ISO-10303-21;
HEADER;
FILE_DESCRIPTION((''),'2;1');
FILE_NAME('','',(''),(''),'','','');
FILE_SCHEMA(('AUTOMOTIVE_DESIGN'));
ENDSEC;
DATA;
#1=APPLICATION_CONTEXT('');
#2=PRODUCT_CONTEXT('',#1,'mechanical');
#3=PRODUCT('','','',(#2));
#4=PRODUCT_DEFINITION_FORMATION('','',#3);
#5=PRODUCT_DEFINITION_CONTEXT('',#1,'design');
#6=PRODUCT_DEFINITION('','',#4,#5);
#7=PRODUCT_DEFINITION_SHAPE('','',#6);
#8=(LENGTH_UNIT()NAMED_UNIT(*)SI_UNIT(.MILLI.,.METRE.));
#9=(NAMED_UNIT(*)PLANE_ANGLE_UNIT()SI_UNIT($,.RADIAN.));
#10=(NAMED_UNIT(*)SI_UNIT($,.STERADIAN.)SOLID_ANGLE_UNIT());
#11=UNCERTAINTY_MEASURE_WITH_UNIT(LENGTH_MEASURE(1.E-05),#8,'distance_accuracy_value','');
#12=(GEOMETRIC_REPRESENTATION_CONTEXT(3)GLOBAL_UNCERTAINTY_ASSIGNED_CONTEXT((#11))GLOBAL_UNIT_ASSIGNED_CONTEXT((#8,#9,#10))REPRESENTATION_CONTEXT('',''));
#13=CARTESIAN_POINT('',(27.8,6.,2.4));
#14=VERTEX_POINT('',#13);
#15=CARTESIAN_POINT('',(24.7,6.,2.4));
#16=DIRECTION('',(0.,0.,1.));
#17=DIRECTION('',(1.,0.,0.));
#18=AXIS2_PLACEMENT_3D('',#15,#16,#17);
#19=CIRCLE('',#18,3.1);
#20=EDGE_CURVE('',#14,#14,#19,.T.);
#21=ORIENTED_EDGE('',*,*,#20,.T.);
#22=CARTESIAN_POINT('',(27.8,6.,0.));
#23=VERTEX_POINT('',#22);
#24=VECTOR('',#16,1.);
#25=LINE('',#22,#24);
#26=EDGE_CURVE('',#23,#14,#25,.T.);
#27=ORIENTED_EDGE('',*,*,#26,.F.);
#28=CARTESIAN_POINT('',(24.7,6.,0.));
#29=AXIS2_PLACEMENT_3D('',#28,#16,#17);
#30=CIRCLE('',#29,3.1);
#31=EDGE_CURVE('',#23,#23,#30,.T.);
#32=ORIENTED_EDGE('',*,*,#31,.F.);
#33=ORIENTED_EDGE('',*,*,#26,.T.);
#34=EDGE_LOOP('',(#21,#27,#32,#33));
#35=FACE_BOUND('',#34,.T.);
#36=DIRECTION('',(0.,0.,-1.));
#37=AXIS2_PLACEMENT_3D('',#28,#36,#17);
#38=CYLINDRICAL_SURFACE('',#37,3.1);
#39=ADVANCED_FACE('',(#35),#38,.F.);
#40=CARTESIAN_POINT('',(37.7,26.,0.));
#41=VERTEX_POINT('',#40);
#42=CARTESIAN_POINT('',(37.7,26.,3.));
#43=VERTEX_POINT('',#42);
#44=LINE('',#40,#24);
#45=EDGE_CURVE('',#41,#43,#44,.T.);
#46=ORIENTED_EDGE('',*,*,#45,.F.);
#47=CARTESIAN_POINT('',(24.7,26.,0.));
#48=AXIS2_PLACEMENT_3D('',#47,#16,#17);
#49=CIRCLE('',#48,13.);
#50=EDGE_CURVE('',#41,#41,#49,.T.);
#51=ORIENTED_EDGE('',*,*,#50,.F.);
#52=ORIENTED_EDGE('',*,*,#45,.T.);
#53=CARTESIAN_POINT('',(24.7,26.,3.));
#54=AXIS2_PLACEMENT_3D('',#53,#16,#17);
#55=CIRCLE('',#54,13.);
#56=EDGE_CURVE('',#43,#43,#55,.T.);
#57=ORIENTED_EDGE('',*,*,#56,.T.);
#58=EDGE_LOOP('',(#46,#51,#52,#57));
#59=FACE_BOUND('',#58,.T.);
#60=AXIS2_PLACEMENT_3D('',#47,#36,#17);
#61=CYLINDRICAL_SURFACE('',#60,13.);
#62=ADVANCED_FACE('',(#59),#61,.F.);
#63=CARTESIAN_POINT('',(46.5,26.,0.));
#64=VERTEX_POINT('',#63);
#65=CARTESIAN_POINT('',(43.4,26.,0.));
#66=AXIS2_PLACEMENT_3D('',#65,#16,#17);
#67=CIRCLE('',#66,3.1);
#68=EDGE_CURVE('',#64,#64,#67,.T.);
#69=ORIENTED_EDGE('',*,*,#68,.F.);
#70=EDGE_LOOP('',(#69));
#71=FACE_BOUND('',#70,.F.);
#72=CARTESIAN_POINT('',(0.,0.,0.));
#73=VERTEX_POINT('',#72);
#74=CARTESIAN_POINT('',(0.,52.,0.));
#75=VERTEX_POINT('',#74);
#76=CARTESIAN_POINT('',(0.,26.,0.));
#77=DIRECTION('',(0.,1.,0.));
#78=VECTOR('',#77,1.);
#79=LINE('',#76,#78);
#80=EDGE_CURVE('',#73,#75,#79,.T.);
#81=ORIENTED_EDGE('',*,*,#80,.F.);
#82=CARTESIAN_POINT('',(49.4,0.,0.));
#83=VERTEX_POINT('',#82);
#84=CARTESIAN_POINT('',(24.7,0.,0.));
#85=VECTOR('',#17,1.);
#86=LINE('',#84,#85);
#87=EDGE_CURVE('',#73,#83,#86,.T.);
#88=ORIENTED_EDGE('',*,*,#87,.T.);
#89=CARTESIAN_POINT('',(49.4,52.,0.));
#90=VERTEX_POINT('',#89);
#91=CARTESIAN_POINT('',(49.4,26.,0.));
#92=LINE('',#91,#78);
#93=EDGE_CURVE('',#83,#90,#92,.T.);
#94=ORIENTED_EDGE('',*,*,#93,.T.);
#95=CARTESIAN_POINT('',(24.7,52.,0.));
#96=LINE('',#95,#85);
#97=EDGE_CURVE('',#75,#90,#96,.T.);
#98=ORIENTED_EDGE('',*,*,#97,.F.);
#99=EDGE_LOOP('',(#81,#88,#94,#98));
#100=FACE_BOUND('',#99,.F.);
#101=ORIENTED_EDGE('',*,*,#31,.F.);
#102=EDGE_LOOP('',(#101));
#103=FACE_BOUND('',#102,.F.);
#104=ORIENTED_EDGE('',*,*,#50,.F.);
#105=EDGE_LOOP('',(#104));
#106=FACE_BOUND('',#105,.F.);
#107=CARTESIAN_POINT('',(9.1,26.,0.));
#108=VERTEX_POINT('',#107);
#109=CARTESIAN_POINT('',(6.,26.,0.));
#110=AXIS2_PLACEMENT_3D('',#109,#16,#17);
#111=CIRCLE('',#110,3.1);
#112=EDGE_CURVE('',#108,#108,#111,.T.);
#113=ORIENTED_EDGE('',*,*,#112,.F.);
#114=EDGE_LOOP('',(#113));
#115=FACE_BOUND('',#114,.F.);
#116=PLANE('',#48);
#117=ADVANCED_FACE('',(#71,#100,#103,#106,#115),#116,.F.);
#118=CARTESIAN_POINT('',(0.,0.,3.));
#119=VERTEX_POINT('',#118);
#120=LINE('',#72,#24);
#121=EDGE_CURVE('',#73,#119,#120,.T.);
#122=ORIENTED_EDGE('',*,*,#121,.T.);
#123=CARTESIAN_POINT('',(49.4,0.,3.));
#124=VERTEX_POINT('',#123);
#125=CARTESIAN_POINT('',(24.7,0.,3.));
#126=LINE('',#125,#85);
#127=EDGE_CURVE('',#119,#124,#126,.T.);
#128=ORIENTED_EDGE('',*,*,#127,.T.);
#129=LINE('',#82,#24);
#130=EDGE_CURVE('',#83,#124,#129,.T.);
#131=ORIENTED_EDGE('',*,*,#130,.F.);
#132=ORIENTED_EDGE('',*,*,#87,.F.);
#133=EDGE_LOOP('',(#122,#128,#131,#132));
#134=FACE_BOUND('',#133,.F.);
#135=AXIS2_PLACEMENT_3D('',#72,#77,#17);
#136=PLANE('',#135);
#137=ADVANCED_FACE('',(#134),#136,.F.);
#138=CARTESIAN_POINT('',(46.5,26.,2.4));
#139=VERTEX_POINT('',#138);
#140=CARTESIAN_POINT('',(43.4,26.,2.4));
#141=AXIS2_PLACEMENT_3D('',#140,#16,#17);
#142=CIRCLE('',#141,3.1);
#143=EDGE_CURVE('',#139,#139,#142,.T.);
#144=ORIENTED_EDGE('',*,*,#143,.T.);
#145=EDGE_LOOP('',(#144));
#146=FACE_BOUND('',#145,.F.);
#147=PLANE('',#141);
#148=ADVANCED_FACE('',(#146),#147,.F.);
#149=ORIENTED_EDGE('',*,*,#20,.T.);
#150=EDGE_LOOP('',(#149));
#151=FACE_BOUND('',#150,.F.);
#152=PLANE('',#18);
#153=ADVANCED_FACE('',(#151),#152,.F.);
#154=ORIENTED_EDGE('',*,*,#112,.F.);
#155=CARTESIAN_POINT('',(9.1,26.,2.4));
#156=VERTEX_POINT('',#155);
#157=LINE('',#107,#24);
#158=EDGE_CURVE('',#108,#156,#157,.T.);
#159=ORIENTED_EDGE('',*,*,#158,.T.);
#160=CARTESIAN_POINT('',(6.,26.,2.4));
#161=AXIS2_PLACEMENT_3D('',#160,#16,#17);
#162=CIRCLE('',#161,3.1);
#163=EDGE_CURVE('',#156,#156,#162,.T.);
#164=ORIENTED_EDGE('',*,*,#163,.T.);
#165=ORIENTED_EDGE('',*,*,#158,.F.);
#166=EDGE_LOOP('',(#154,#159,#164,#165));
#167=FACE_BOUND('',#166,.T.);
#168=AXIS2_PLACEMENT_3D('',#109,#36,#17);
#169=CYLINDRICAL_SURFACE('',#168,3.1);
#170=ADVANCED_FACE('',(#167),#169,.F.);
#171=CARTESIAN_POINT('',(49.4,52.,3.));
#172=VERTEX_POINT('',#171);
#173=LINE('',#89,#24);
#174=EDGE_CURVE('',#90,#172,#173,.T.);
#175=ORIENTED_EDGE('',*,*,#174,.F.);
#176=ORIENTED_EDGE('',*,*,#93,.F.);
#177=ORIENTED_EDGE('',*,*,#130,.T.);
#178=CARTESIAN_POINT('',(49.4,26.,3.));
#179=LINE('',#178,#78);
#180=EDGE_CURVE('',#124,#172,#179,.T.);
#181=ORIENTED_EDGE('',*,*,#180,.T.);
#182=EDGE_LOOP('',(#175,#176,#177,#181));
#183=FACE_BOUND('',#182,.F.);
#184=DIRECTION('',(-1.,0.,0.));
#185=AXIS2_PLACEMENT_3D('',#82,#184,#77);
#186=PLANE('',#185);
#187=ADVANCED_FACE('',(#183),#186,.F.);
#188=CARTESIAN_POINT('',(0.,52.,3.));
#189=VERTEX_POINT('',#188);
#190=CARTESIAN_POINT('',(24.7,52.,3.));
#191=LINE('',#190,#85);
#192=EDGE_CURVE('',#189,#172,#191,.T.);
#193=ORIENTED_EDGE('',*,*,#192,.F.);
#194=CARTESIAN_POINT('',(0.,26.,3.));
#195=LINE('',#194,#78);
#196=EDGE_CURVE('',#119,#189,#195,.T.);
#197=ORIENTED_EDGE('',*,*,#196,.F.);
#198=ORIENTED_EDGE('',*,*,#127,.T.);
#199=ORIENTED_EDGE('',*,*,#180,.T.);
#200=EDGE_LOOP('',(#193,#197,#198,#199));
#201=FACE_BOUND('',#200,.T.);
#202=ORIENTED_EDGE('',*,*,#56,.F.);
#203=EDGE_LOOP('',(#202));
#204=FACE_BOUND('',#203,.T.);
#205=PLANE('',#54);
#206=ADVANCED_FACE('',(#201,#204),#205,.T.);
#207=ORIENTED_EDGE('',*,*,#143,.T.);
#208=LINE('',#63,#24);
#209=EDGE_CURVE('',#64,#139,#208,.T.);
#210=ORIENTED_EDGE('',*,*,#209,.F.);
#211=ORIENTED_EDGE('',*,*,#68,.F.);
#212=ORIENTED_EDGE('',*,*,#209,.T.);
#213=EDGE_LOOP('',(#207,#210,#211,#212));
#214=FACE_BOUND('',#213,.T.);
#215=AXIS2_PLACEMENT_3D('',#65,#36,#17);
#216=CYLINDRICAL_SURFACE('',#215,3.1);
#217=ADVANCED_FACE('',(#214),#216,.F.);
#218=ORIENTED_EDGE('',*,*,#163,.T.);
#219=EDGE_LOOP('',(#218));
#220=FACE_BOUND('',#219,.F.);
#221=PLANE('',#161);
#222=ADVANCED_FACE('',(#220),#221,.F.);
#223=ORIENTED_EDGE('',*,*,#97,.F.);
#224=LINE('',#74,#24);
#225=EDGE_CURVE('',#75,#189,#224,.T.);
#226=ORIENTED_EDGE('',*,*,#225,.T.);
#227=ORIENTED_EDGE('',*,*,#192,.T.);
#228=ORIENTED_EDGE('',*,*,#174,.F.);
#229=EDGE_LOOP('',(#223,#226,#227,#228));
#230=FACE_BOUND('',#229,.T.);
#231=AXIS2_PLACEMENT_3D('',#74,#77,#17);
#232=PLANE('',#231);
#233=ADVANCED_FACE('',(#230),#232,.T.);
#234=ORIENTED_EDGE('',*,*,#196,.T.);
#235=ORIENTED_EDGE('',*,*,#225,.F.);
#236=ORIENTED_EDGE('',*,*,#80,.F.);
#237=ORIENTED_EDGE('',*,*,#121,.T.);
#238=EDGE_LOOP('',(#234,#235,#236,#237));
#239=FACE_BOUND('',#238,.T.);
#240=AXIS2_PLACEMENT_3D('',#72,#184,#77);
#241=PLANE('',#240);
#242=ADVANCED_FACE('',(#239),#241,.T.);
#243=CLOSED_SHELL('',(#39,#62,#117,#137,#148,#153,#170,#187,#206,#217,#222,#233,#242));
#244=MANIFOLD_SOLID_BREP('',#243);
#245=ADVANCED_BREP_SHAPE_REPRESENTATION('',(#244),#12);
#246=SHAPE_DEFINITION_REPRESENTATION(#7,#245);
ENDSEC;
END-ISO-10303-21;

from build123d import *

# Parameters (mm, degrees)
SKETCH_W     = 49.4
SKETCH_H     = 52
SKETCH_R     = 13
PAD_DEPTH    = 3
SKETCH001_R  = 3.1
POCKET_DEPTH = 2.4


with BuildPart() as part:
    # Sketch → Pad (new body)
    with BuildSketch(Plane.XY):
        with Locations((24.7, 26)):
            Rectangle(SKETCH_W, SKETCH_H)
        with Locations((24.7, 26)):
            Circle(SKETCH_R, mode=Mode.SUBTRACT)
    extrude(amount=PAD_DEPTH)

    # Sketch001 → Pocket (cut)
    with BuildSketch(Plane.XY):
        with Locations((24.7, 6)):
            Circle(SKETCH001_R)
        with Locations((6, 26)):
            Circle(SKETCH001_R)
        with Locations((43.4, 26)):
            Circle(SKETCH001_R)
    extrude(amount=POCKET_DEPTH, mode=Mode.SUBTRACT)


solid = part.part
